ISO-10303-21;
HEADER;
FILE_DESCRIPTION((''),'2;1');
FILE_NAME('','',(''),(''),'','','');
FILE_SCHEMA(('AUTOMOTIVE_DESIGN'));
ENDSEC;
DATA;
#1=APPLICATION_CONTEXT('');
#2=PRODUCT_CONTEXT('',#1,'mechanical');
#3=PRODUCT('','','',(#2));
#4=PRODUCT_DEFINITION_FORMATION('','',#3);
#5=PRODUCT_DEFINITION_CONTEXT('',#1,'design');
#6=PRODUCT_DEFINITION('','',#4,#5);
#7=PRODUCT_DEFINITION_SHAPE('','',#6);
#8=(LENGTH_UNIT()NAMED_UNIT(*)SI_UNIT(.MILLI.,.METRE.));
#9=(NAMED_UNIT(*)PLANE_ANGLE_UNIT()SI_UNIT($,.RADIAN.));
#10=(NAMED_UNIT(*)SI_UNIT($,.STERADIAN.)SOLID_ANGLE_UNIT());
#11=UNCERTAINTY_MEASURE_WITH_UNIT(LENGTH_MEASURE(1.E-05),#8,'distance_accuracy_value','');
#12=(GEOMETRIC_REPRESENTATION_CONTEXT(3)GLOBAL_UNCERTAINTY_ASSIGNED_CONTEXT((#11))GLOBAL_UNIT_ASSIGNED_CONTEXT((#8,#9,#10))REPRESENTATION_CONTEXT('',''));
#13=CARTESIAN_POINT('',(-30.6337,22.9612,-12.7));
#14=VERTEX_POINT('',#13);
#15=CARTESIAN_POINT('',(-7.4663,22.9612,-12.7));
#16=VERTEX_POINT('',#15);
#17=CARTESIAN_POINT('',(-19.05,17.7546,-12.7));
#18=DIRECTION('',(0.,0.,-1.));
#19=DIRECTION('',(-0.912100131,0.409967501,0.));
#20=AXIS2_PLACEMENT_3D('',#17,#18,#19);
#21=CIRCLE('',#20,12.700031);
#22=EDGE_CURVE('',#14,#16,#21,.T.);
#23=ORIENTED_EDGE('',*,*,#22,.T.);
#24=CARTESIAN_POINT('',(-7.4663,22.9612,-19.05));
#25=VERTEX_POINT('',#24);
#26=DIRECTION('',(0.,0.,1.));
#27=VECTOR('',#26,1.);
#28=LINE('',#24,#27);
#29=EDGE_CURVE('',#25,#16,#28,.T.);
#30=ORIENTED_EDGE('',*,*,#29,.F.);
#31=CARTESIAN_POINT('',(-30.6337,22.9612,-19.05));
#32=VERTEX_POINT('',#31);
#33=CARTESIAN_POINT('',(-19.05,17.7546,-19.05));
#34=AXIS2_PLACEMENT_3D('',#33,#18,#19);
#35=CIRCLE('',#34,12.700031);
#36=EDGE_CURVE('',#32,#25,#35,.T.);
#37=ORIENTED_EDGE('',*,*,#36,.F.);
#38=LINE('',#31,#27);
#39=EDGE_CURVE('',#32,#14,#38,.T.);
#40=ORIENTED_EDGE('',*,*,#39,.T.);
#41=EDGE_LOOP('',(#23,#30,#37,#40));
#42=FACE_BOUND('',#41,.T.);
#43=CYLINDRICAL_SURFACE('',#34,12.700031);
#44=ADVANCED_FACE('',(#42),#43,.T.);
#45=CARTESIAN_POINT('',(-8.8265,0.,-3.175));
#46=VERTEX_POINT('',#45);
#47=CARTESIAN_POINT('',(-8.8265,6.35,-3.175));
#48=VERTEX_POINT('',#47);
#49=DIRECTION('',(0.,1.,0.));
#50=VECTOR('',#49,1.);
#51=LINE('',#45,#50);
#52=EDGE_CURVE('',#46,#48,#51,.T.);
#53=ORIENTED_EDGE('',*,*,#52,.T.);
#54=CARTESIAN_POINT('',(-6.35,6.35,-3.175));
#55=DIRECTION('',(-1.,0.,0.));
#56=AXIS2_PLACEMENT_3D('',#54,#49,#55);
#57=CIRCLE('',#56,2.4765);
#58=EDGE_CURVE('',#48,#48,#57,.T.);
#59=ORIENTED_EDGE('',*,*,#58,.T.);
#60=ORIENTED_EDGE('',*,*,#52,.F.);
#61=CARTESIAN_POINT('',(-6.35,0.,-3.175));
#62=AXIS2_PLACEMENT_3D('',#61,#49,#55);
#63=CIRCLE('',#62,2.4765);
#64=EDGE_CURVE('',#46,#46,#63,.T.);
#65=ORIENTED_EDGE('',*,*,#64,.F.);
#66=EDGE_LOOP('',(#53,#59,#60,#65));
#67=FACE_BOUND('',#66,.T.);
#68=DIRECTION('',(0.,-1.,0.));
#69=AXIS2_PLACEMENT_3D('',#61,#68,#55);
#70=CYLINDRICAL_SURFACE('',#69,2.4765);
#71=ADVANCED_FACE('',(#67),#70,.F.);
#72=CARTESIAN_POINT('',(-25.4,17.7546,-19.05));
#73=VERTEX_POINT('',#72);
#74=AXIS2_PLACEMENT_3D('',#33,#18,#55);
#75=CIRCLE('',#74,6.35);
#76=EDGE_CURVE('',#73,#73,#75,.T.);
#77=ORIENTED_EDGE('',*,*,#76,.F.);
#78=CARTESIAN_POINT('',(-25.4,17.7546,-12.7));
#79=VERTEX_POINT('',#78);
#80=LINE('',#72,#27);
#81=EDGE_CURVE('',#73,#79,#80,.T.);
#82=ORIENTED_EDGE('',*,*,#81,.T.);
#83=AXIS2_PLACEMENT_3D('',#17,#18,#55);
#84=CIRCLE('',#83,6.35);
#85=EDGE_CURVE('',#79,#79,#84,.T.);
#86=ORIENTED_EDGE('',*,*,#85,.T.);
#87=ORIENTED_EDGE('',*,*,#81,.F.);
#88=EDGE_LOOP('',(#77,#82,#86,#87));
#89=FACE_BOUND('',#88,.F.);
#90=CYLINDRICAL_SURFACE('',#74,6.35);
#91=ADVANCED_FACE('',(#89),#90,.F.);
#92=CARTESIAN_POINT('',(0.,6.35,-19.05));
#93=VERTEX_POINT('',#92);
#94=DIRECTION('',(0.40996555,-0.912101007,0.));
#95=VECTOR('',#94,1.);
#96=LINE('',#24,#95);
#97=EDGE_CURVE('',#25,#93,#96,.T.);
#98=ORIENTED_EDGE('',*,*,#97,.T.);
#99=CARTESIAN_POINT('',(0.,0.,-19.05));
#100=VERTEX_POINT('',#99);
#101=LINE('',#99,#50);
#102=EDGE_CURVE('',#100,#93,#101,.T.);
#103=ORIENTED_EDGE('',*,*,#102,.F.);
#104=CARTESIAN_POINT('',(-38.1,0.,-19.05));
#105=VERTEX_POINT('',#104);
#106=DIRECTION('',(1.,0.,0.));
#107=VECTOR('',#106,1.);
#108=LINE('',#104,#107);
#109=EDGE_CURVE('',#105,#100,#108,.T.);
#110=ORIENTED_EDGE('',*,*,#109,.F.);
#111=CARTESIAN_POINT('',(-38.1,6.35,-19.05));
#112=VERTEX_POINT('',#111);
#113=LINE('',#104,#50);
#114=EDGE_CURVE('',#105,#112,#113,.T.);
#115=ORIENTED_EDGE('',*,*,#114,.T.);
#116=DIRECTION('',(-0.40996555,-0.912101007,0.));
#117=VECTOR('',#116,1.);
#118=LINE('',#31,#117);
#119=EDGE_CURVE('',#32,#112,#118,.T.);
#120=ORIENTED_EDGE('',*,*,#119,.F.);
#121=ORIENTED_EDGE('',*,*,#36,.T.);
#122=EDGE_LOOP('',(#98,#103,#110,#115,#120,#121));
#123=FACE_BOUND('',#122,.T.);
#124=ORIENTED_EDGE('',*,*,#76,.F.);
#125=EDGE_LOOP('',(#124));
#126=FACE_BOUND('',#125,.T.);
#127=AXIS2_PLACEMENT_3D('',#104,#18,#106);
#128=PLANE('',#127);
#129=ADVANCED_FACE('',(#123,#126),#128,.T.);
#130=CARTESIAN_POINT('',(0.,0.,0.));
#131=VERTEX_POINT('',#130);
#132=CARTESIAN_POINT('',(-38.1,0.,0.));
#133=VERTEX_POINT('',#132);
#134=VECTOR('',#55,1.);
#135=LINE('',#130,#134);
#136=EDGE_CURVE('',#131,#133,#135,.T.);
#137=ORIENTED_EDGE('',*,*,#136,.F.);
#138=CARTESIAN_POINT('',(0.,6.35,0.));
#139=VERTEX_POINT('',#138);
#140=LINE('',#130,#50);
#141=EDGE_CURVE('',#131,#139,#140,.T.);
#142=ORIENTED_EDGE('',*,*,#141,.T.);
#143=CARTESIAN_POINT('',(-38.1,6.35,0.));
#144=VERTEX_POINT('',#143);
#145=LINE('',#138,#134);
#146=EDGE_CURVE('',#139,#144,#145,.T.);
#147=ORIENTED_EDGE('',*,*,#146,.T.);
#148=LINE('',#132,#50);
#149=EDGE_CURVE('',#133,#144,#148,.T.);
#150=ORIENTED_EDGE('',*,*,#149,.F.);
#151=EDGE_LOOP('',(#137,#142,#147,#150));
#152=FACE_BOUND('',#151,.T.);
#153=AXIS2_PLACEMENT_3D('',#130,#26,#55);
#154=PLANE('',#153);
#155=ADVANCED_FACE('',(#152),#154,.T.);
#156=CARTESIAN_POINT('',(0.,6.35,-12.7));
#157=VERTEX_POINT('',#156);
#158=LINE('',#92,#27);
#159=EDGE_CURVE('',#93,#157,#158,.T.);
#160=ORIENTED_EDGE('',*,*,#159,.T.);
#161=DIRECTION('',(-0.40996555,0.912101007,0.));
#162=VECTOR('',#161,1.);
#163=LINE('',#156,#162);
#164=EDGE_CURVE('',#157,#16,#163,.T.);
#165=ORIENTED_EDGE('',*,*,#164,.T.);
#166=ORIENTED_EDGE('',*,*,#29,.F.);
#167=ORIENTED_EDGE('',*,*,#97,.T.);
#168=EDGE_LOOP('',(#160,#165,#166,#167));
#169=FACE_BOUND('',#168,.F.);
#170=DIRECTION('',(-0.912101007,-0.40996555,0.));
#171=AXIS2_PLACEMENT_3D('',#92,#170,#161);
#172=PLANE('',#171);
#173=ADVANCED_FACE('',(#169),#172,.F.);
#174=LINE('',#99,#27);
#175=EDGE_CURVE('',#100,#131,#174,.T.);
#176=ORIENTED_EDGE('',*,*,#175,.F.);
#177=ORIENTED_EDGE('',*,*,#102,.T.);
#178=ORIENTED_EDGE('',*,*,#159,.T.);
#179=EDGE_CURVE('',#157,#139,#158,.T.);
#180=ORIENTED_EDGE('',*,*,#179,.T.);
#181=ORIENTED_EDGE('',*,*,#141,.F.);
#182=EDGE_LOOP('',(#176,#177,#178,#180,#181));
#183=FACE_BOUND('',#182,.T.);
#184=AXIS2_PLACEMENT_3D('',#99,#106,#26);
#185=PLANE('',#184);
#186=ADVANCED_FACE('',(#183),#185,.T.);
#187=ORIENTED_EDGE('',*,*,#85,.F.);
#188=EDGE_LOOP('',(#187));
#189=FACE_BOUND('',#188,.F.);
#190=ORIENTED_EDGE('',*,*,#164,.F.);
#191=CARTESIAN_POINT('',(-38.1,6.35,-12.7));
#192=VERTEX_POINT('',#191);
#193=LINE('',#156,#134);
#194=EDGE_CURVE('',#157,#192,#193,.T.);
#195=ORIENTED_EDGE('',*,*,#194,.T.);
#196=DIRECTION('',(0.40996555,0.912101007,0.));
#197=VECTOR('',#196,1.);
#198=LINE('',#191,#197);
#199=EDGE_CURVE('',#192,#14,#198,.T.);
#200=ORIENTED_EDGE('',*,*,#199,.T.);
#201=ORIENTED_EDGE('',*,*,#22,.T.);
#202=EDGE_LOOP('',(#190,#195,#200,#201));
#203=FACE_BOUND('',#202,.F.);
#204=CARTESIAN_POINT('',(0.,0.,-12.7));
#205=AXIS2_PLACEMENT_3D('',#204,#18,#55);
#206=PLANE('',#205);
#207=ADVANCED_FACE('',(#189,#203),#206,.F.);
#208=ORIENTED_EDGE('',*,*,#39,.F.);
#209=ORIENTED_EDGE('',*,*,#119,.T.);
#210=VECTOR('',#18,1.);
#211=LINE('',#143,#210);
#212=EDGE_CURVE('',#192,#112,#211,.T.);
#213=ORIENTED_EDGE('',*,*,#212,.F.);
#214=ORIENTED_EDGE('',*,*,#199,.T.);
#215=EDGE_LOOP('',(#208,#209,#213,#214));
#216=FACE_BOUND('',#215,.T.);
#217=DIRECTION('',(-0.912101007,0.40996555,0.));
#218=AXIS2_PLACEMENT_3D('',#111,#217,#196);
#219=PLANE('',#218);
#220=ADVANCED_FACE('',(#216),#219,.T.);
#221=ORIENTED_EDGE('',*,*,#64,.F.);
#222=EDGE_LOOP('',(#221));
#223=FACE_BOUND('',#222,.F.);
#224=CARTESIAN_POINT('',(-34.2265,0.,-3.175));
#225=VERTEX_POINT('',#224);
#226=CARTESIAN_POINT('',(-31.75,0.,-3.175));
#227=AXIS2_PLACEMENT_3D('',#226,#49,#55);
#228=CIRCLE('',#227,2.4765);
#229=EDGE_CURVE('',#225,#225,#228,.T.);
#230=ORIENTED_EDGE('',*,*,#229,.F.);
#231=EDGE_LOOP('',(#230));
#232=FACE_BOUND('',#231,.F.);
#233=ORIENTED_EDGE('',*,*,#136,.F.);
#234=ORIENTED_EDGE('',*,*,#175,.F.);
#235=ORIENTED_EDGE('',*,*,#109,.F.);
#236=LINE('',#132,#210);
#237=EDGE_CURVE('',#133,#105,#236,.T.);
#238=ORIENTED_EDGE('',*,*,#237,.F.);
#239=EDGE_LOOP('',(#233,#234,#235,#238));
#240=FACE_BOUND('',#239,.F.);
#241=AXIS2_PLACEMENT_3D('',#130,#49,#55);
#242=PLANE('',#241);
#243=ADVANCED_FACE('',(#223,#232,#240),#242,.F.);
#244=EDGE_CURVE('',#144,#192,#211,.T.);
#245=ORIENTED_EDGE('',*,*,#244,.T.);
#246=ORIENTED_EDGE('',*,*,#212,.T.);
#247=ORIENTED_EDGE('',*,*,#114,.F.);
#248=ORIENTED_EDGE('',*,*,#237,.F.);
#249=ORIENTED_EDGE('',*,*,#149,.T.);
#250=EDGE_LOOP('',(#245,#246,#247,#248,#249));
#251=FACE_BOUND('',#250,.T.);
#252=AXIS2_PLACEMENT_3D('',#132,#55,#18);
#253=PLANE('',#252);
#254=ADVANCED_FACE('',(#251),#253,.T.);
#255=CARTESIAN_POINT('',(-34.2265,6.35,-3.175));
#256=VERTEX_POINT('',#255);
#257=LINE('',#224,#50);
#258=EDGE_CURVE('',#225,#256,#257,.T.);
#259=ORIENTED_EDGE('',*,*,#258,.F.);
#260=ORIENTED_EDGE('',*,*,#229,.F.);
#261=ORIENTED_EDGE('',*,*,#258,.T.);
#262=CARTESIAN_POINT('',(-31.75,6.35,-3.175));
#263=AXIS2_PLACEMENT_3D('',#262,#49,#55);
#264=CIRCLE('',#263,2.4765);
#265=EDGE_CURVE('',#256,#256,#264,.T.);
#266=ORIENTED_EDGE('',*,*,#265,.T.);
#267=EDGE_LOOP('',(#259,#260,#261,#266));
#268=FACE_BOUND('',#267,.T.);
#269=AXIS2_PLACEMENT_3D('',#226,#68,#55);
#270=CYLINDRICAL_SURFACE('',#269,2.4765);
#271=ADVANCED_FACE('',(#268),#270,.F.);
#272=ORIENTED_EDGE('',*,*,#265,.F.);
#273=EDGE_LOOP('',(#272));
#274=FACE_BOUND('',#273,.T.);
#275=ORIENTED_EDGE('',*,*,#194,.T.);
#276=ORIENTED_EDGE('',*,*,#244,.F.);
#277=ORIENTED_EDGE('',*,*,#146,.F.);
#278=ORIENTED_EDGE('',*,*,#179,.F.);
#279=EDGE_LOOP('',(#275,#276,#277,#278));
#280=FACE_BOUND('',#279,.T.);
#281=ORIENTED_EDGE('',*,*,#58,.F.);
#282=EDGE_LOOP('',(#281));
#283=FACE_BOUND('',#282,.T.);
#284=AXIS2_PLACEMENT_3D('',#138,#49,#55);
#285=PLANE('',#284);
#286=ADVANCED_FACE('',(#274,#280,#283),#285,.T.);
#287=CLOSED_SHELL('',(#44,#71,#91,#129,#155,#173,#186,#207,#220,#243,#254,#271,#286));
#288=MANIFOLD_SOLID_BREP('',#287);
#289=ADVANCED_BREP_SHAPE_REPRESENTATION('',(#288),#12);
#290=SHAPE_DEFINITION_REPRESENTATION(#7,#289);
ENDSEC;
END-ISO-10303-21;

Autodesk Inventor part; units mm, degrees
ref_plane "YZ Plane" through (0, 0, 0) normal (1, 0, 0) x (0, 1, 0)
ref_plane "XZ Plane" through (0, 0, 0) normal (0, 1, 0) x (-1, 0, 0)
ref_plane "XY Plane" through (0, 0, 0) normal (0, 0, 1) x (1, 0, 0)
sketch "Sketch1" plane through (0, 0, 0) normal (0, 1, 0) x (-1, 0, 0)
  line L0 (0, 0) -> (38.1, 0)
  line L1 (38.1, 0) -> (38.1, -19.05)
  line L2 (38.1, -19.05) -> (0, -19.05)
  line L3 (0, -19.05) -> (0, 0)
  circle A0 centre (6.35, -3.175) radius 2.4765
  circle A1 centre (31.75, -3.175) radius 2.4765
  dimension "d0" = 4.953
  dimension "d1" = 4.953
  dimension "d2" = 25.4
  dimension "d3" = 6.35
  dimension "d4" = 3.175
  dimension "d5" = 6.35
  dimension "d6" = 19.05
extrude "Extrusion1" add sketch "Sketch1" along normal blind 6.35
sketch "Sketch2" plane through (0, 0, -19.05) normal (0, 0, -1) x (-1, 0, 0)
  line L0 (38.1, 0) -> (0, 0) projected
  line L1 (38.1, 0) -> (38.1, 6.35) projected
  line L2 (0, 6.35) -> (38.1, 6.35) projected
  line L3 (0, 0) -> (0, 6.35) projected
  circle A0 centre (19.05, 17.7546) radius 14.2748 projected
  circle A1 centre (19.05, 17.7546) radius 6.35
  line L4 (38.1, 6.35) -> (0, 6.35) projected
  line L5 (0, 6.35) -> (7.4663, 22.9612)
  line L6 (38.1, 6.35) -> (30.6337, 22.9612)
  arc A2 (30.6337, 22.9612) -> (7.4663, 22.9612) centre (19.05, 17.7546) ccw
  point P0 (0, 0)
  dimension "d9" = 6.35
  dimension "d10" = 12.7
extrude "Extrusion2" add sketch "Sketch2" against normal blind 6.35 contours L2 A0 L6 | L5 A0 L2 | L2 A0 L5 A2 L6
equation "\"d5\" = d3"
properties part number "Encoder mount"
